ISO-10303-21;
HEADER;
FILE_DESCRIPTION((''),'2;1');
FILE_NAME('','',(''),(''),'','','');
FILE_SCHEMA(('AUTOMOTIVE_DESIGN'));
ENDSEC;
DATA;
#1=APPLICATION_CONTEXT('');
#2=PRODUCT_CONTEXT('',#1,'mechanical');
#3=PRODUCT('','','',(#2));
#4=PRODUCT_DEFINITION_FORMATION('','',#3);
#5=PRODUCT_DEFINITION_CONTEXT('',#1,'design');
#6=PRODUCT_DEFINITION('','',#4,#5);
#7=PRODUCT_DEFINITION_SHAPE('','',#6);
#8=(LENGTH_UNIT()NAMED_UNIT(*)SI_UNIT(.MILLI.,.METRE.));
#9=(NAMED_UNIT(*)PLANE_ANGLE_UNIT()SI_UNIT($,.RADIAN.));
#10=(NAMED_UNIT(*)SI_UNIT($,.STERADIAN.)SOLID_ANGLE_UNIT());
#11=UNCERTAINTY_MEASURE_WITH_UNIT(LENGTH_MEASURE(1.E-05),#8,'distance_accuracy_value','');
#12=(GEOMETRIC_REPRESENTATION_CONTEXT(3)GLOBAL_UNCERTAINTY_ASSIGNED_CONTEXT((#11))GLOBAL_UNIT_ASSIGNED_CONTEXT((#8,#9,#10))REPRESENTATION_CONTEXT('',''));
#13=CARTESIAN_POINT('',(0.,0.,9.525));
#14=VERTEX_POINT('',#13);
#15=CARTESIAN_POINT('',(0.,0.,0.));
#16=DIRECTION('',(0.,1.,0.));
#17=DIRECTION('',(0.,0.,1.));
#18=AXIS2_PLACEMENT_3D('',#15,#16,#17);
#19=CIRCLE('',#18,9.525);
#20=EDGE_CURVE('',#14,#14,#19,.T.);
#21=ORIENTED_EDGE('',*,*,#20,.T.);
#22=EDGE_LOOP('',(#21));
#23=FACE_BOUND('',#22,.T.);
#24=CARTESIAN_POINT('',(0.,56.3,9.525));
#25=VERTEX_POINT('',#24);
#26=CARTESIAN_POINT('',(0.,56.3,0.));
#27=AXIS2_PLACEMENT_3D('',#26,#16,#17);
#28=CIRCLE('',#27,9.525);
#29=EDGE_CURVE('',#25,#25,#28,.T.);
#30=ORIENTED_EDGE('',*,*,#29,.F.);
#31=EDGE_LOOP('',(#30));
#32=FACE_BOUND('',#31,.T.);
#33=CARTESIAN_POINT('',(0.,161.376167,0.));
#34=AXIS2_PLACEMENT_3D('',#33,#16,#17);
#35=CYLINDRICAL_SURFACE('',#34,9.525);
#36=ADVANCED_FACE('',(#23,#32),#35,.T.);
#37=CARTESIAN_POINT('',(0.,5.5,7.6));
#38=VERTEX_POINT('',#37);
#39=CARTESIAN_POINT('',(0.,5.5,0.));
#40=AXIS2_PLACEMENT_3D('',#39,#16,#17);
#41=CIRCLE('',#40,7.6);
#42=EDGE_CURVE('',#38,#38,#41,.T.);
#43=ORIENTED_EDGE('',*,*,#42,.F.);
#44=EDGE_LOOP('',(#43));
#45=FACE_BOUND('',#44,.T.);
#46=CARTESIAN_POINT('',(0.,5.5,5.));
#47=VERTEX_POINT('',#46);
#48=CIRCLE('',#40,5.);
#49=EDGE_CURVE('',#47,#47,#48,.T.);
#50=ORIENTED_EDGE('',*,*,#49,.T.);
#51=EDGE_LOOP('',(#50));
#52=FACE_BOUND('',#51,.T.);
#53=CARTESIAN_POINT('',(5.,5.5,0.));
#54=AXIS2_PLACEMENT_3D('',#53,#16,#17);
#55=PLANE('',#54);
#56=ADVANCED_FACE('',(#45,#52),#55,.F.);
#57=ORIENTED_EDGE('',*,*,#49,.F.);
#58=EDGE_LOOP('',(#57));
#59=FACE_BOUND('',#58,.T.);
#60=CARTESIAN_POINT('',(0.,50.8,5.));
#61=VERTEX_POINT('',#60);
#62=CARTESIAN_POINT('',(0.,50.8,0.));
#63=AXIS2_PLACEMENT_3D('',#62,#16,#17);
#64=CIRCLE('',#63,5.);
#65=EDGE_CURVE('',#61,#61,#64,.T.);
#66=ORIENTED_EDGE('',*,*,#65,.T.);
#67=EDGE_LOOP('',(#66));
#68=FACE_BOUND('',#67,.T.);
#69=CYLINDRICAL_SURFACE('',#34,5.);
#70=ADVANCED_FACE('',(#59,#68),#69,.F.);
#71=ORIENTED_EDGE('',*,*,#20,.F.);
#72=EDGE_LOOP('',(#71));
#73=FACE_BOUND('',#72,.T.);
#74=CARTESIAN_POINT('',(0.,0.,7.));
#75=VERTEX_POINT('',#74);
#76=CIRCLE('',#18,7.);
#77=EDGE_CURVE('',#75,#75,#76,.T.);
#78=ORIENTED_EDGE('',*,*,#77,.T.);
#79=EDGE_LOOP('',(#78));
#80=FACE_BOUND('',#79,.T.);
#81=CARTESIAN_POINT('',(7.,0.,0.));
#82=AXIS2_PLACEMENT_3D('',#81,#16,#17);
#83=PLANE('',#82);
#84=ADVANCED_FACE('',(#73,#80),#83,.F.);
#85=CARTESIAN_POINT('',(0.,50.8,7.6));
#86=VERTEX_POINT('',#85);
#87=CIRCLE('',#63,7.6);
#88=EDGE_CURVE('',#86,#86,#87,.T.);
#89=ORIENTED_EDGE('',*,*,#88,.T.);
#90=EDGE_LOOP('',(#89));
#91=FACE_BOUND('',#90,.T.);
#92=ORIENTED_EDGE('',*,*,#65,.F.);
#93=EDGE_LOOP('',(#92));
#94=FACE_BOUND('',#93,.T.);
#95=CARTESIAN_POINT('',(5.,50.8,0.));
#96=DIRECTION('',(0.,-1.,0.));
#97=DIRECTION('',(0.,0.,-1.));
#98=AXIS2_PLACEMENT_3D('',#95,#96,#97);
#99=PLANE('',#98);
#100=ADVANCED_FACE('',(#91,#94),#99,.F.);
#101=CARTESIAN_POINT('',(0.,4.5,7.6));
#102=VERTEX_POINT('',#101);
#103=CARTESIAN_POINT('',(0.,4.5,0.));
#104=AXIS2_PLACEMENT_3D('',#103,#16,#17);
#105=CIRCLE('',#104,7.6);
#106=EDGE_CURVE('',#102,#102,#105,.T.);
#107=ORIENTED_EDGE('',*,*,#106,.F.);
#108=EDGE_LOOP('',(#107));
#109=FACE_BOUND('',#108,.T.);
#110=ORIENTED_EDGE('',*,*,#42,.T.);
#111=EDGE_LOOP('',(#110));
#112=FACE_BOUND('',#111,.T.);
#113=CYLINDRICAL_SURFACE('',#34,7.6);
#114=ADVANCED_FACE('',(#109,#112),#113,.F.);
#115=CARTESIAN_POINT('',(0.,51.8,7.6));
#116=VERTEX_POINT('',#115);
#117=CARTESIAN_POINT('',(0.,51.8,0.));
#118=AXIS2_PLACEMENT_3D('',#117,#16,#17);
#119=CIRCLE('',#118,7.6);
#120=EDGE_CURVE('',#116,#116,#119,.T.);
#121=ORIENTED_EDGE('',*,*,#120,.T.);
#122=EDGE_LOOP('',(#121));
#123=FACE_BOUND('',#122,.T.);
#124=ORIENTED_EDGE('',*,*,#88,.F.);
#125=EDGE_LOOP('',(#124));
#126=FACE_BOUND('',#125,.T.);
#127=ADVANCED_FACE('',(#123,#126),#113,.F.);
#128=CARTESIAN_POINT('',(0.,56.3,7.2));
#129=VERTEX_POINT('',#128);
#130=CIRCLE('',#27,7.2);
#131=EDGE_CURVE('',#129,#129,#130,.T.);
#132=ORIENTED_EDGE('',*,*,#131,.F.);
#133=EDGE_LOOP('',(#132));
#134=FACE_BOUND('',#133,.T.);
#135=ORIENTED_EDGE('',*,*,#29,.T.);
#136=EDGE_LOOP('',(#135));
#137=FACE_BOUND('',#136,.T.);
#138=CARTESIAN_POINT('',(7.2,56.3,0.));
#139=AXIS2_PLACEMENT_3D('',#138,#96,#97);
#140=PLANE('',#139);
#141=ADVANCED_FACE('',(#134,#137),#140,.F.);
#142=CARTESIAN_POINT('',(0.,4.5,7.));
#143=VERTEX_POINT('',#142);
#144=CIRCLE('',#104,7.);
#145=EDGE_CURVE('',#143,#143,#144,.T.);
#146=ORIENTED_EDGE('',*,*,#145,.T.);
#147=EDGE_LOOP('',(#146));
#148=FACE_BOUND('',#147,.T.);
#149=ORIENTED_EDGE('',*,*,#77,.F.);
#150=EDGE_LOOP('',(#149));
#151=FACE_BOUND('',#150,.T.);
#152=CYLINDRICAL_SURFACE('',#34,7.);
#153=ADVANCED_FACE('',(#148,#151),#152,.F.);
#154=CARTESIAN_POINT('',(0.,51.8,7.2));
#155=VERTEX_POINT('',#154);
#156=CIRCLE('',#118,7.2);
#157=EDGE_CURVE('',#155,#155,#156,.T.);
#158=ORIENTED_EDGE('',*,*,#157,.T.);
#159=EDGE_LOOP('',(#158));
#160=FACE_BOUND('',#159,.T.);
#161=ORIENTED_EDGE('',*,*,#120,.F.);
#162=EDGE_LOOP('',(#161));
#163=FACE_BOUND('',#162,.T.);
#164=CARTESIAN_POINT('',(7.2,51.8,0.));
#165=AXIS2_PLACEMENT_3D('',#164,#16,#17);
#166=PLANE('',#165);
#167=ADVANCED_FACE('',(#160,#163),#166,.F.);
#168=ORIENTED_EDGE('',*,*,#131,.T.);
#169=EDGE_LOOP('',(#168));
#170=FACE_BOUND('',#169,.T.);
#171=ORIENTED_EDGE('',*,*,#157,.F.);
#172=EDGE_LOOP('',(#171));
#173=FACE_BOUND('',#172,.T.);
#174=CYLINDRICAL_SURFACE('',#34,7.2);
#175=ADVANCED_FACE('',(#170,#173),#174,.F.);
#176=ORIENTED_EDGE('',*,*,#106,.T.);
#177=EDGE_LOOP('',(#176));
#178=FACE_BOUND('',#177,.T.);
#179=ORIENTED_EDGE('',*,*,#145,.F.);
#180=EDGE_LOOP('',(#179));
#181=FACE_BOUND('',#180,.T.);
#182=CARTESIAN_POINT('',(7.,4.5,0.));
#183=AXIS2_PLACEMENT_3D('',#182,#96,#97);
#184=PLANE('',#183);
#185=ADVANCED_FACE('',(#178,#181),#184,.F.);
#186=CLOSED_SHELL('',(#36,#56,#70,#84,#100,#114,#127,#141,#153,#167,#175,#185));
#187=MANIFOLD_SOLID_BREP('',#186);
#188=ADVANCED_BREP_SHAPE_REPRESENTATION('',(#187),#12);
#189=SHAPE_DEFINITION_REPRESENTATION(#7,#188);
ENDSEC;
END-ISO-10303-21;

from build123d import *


with BuildPart() as part:
    # 草图1 → 旋转1 (revolve)
    with BuildSketch(Plane.XY, mode=Mode.PRIVATE) as revolve_1_sk:
        Polygon((7, 0), (7, 4.5), (7.6, 4.5), (7.6, 5.5), (5, 5.5), (5, 50.8), (7.6, 50.8), (7.6, 51.8), (7.2, 51.8), (7.2, 56.3), (9.525, 56.3), (9.525, 0), align=None)
    revolve(revolve_1_sk.sketch.rotate(Axis((0, 161.376166943, 0), (0, -1, 0)), 90), axis=Axis((0, 161.376166943, 0), (0, -1, 0)))  # turned: the seam where the file's is


solid = part.part
